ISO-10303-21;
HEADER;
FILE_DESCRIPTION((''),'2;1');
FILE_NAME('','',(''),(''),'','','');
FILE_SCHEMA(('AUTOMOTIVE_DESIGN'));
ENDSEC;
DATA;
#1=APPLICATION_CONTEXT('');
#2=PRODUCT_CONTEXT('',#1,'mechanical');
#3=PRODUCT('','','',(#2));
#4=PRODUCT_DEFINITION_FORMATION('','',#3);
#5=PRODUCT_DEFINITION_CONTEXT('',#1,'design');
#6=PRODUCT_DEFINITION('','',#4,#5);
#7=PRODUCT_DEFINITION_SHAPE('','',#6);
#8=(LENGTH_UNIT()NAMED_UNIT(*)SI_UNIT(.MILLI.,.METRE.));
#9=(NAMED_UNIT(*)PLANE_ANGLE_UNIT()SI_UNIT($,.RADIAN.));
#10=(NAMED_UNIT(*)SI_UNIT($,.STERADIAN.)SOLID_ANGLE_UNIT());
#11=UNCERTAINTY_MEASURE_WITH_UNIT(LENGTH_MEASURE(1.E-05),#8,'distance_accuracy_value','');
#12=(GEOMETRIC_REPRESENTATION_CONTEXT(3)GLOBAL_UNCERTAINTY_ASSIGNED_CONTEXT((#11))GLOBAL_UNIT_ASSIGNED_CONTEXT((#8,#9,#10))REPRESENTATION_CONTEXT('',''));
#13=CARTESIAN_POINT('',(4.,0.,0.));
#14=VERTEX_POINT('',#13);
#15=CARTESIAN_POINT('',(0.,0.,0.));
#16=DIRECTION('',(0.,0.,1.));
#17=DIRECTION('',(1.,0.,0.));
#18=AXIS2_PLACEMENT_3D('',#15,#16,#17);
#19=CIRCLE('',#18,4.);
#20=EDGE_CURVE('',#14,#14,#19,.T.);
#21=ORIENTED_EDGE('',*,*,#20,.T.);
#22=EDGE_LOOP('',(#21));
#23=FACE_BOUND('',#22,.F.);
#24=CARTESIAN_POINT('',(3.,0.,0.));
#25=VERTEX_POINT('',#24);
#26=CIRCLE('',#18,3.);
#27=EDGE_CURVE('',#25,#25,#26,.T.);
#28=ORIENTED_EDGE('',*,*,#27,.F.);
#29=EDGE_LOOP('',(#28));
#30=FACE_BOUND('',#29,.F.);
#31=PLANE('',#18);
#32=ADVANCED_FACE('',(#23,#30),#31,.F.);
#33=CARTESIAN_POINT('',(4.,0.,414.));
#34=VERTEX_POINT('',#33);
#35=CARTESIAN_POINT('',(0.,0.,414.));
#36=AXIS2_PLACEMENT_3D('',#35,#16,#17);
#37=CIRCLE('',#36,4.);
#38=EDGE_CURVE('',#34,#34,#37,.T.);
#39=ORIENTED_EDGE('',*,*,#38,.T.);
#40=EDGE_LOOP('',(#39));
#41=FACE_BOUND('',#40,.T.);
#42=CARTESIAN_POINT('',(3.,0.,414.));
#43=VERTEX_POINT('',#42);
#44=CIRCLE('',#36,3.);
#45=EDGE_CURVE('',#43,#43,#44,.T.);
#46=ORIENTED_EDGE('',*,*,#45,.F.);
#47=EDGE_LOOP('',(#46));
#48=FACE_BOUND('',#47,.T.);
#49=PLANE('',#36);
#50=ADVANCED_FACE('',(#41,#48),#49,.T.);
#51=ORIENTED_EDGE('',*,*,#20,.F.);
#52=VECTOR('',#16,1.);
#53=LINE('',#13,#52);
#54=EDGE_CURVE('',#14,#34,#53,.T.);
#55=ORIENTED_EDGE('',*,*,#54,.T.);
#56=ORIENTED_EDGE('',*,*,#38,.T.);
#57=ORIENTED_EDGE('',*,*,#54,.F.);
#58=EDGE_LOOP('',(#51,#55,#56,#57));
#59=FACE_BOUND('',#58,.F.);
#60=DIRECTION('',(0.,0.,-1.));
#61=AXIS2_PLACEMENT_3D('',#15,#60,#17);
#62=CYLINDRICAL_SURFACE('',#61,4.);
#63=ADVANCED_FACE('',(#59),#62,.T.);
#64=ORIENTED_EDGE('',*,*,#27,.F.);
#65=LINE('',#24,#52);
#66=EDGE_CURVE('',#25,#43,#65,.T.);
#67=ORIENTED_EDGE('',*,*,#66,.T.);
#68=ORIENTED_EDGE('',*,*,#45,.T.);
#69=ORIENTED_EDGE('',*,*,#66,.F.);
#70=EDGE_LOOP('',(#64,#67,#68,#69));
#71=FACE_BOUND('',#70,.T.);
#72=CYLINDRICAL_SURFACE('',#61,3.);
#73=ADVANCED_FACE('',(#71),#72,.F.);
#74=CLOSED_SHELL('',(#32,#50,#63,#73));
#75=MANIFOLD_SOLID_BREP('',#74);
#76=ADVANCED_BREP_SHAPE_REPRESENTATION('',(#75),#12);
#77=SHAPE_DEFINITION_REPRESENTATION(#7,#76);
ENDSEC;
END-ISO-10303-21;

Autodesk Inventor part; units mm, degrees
ref_plane "YZ Plane" through (0, 0, 0) normal (1, 0, 0) x (0, 1, 0)
ref_plane "XZ Plane" through (0, 0, 0) normal (0, 1, 0) x (-1, 0, 0)
sketch "Sketch1" plane through (0, 0, 0) normal (0, 0, 1) x (1, 0, 0)
  circle A0 centre (0, 0) radius 4
  circle A1 centre (0, 0) radius 3
  dimension "d0" = 8
  dimension "d1" = 6
extrude "Extrusion1" add sketch "Sketch1" along normal blind 414
ref_plane "Work Plane1" through (0, 0, 207) normal (0, 0, 1) x (1, 0, 0)
properties part number "carbon_pipe" material "CFRP"
